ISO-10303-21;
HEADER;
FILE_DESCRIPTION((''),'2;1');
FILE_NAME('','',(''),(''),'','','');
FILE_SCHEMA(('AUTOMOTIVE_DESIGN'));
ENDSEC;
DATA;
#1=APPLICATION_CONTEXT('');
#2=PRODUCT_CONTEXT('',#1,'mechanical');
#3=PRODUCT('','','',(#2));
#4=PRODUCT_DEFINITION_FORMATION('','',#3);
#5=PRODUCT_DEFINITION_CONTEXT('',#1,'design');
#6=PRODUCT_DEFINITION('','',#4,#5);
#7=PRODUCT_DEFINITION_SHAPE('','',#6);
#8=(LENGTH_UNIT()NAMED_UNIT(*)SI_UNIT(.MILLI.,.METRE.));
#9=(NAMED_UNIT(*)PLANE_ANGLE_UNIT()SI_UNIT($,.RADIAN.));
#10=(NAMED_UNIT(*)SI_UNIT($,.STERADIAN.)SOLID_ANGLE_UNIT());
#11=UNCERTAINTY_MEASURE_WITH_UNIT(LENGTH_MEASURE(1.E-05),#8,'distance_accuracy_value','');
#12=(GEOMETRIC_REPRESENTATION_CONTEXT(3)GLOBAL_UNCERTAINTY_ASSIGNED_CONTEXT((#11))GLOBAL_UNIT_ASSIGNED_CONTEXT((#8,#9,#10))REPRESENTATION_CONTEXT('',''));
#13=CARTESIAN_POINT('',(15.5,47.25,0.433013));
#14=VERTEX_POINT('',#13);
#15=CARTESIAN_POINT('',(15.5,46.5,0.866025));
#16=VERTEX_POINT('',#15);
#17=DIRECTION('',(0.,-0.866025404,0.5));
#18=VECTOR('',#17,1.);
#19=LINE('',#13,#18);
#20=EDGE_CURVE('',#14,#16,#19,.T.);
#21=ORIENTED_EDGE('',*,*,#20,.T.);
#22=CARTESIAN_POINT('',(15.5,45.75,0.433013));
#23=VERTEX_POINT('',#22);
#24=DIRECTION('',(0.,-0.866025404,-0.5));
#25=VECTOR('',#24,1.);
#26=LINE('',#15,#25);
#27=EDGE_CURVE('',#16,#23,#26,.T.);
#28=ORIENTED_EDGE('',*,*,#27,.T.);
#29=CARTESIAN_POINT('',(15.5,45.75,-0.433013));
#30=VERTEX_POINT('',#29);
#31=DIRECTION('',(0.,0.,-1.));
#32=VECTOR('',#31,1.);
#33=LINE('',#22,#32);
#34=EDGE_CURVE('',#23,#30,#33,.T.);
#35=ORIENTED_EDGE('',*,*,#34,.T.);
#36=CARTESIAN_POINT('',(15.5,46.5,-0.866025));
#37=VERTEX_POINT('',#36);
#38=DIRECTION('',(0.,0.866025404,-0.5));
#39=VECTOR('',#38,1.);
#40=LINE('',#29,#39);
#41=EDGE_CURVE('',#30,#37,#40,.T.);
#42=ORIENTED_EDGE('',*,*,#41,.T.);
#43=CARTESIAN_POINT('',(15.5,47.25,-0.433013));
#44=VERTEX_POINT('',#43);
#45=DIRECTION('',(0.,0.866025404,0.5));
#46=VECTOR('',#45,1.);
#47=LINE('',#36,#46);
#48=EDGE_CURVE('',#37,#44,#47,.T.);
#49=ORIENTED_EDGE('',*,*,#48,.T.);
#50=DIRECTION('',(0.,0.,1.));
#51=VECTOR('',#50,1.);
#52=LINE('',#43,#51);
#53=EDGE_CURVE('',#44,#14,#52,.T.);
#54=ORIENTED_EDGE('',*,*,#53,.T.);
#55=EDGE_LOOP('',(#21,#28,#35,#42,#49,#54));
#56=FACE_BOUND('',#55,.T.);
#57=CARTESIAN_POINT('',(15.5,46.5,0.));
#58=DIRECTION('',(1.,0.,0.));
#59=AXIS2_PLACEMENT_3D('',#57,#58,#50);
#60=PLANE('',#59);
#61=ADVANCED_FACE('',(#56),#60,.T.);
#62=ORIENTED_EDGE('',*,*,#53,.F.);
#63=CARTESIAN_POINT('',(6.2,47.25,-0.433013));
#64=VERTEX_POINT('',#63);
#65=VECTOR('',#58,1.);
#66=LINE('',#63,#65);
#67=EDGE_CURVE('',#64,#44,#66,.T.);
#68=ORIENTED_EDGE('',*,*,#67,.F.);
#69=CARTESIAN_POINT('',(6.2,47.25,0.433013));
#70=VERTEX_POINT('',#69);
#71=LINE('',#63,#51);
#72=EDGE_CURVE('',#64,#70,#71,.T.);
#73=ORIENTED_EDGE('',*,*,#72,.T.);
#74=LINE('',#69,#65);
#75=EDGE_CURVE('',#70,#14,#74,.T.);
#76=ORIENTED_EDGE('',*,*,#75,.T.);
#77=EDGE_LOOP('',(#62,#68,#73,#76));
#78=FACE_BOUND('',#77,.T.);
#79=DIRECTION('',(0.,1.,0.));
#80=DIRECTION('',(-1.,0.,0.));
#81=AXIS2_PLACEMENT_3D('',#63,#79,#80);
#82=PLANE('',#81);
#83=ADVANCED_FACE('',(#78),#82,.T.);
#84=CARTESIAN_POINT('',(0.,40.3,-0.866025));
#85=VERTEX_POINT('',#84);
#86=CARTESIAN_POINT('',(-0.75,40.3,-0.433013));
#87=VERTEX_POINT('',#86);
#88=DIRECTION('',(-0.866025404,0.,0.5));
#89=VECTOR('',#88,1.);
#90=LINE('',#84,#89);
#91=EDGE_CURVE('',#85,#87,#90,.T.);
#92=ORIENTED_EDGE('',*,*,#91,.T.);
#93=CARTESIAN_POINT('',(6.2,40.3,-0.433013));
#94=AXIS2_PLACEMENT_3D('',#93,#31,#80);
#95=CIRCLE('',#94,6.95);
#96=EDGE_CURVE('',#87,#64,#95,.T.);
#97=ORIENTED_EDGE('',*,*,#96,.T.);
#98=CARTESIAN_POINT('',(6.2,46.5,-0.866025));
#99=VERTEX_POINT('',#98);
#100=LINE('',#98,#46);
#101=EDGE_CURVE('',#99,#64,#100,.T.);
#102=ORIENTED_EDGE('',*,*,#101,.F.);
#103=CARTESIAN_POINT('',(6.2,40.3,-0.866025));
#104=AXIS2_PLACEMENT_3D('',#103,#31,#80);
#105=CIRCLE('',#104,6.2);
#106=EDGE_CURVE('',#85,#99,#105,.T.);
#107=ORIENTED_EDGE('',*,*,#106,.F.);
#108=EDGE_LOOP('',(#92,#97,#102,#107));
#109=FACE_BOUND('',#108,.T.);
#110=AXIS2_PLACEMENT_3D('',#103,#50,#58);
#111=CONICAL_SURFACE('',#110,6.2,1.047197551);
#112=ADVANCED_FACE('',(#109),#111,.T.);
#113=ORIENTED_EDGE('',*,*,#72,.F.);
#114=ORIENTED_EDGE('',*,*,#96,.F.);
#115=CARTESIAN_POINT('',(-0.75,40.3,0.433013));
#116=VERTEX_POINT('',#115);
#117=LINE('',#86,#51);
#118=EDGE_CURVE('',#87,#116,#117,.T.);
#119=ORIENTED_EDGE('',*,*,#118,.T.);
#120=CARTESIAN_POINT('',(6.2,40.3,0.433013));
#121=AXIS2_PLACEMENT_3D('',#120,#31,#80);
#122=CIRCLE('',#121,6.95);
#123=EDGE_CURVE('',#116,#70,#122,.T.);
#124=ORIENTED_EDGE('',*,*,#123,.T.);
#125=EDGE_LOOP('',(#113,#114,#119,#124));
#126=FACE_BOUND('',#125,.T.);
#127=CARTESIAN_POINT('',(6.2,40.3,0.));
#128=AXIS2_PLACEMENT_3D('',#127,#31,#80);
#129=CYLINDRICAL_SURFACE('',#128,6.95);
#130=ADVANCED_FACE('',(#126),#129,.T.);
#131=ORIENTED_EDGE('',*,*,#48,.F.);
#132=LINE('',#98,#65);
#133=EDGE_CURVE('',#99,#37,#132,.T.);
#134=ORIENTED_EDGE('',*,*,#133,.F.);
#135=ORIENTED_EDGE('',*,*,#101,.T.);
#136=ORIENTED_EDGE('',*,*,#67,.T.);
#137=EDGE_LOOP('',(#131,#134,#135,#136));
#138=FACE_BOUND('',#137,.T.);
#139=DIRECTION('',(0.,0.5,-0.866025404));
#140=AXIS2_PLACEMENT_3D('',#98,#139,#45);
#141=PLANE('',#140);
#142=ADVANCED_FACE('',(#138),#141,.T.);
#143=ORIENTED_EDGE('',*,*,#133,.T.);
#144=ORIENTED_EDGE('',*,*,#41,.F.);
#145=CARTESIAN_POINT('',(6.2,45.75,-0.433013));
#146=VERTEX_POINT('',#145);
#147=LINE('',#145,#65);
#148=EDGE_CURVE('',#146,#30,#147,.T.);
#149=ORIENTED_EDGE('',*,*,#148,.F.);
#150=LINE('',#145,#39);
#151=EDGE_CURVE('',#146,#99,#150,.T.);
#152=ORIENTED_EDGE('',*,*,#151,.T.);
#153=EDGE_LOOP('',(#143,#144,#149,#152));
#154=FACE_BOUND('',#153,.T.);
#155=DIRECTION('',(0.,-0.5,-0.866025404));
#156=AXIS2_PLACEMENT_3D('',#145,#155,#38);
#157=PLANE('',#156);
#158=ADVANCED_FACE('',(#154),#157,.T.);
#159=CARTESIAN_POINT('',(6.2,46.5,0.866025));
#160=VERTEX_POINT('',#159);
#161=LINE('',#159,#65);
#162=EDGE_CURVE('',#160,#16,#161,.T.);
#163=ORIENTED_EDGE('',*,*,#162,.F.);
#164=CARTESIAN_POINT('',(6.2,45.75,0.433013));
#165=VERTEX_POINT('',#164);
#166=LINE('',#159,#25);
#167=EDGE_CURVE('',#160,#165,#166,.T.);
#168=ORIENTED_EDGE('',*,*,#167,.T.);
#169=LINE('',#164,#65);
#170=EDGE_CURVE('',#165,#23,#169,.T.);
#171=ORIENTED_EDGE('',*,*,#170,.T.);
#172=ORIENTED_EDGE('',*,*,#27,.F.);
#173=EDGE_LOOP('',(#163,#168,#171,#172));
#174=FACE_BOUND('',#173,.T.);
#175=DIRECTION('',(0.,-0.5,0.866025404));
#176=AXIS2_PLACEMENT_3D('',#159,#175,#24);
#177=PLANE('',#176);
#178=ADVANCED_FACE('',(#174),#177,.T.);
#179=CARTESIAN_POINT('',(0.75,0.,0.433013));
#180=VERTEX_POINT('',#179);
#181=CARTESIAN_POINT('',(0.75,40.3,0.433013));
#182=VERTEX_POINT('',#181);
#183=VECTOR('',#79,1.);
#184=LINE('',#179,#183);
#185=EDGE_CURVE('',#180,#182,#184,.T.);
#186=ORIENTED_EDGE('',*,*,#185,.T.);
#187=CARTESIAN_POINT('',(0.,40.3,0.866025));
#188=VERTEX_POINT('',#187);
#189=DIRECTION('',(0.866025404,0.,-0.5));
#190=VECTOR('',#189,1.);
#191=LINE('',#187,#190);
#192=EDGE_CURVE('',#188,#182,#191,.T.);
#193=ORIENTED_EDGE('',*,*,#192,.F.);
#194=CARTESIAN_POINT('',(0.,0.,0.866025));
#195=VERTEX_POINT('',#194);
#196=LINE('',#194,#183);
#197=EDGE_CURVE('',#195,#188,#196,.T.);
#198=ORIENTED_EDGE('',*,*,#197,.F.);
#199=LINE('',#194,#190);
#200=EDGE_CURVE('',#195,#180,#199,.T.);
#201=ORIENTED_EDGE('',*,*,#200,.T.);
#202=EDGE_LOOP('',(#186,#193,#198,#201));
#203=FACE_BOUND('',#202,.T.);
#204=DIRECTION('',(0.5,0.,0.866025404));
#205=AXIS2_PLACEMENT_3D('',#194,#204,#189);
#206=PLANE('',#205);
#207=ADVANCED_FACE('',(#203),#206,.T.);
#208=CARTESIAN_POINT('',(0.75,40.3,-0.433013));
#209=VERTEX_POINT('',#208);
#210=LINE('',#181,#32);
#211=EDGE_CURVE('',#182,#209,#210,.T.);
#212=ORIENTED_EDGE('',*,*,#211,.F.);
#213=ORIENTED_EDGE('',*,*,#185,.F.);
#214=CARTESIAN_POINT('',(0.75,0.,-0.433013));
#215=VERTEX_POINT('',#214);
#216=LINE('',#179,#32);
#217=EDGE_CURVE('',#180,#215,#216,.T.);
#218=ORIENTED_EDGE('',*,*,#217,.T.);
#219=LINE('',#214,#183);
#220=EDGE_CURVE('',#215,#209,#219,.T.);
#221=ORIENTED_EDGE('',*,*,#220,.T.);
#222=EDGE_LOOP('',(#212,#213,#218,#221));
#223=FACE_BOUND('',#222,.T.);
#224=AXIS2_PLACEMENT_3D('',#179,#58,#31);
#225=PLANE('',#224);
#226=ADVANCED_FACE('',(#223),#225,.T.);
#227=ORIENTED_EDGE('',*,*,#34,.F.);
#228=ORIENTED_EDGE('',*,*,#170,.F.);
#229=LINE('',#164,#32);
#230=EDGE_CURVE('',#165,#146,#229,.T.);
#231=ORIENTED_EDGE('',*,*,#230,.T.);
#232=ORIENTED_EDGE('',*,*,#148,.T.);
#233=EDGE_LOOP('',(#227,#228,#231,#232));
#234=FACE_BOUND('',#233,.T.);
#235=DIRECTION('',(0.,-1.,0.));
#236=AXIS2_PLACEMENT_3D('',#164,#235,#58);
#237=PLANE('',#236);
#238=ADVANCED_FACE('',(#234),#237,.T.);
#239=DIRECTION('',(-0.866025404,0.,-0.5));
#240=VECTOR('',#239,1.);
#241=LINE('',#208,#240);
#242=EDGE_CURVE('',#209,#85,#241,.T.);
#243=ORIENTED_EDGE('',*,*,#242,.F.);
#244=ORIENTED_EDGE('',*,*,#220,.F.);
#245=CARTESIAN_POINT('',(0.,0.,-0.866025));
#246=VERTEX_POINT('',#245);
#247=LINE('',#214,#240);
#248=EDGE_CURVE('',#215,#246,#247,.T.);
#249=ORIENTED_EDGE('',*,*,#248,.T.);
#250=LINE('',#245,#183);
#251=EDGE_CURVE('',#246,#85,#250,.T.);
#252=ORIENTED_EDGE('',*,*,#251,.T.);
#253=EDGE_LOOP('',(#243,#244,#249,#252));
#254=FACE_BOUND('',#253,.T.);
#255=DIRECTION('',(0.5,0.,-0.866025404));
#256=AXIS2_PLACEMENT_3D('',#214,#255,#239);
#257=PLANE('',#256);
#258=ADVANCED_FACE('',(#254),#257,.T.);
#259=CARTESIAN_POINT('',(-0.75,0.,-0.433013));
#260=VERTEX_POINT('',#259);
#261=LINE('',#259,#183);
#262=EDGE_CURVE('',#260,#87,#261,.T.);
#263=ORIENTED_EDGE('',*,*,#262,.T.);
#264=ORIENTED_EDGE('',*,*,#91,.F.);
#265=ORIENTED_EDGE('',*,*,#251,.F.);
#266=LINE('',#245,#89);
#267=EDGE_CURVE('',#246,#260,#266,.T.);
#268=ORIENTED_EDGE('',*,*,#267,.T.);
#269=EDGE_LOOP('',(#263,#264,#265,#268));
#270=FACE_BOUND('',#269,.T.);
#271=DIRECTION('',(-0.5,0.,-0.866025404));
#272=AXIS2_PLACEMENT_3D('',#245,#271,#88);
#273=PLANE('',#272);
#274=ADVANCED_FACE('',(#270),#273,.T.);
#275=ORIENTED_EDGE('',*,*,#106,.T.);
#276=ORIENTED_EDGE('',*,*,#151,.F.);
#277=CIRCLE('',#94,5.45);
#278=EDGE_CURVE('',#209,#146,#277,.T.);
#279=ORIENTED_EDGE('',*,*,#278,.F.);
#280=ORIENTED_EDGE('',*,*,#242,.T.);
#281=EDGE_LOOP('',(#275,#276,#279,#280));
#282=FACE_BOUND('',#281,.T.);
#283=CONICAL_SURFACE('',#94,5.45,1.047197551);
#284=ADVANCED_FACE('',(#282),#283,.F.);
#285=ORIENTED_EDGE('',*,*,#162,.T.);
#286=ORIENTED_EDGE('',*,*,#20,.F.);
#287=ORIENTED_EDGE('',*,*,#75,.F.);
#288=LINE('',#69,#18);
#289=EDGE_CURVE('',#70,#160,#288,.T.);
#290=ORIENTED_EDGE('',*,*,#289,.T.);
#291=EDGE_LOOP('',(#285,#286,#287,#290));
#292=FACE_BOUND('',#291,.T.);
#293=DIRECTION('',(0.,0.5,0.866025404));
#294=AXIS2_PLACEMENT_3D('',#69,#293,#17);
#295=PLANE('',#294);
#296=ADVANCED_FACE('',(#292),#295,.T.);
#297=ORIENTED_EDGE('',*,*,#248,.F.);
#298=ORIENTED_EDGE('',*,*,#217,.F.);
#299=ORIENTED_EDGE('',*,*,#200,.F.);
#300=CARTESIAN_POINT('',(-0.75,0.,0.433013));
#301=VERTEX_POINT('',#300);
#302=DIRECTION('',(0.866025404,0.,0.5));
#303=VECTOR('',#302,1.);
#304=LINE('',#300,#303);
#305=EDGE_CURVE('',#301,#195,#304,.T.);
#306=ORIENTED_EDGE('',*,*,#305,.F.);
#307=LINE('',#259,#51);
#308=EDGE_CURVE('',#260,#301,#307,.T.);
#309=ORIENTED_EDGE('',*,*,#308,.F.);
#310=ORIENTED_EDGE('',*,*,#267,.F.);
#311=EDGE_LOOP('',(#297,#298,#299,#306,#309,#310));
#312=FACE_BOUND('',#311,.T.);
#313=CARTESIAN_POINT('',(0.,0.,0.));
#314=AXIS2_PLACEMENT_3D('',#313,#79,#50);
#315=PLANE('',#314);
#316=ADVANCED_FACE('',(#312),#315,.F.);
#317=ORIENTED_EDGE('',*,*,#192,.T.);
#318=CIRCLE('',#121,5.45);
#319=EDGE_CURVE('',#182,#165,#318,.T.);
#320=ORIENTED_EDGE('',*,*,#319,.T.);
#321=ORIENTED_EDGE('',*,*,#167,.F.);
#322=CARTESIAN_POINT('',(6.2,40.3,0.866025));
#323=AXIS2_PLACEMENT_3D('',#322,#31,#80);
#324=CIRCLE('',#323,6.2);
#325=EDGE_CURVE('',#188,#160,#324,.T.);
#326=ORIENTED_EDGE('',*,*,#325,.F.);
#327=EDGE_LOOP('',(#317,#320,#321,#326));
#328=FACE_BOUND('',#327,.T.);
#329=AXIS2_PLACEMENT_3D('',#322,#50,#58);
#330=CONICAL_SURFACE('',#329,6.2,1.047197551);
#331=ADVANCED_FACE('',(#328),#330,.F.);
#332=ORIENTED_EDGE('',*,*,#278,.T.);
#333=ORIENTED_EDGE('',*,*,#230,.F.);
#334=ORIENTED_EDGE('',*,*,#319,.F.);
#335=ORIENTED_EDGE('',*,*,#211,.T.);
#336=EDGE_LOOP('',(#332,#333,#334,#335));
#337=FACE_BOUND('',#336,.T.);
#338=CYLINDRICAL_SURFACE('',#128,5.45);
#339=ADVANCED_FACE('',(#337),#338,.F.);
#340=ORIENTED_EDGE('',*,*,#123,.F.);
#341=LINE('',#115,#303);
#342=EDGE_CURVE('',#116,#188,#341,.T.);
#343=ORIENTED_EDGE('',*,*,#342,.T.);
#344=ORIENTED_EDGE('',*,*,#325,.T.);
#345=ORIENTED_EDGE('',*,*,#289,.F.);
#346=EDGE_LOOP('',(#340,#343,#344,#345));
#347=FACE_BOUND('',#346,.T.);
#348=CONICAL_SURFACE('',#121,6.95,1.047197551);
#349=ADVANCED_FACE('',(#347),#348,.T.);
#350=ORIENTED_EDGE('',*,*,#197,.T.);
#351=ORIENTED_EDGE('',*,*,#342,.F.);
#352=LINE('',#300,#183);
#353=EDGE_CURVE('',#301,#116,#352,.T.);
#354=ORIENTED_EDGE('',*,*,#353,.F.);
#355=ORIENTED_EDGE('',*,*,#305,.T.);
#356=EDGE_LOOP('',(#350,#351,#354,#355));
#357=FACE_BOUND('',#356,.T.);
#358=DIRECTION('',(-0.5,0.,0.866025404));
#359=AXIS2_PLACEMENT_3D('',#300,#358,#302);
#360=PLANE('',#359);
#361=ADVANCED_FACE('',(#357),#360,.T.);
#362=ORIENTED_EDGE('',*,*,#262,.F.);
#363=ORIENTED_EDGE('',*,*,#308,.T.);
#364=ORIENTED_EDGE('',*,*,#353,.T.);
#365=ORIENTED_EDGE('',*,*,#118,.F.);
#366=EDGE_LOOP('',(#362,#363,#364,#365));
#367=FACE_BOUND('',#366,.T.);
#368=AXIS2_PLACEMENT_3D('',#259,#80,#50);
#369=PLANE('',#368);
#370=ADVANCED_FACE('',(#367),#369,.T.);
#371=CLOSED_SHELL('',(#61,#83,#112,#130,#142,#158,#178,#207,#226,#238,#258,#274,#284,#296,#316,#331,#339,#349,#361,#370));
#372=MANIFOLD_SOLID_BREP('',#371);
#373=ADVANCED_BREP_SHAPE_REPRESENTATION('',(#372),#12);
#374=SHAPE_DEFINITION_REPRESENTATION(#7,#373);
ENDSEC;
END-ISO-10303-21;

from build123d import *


with BuildPart() as part:
    # Sweep1: sweep along a path in Sketch4
    with BuildLine(Plane.XY) as sweep1_path:
        Line((0, 0), (0, 40.3))
        ThreePointArc((0, 40.3), (1.815937957, 44.684062043), (6.2, 46.5))
        Line((6.2, 46.5), (15.5, 46.5))
    # Sketch3 → Sweep1 (sweep)
    with BuildSketch(Plane(origin=(0, 0, 0), x_dir=(1, 0, 0), z_dir=(0, 1, 0))):
        Polygon((0, 0.866025404), (-0.75, 0.433012702), (-0.75, -0.433012702), (0, -0.866025404), (0.75, -0.433012702), (0.75, 0.433012702), align=None)
    sweep(path=sweep1_path.line)


solid = part.part
